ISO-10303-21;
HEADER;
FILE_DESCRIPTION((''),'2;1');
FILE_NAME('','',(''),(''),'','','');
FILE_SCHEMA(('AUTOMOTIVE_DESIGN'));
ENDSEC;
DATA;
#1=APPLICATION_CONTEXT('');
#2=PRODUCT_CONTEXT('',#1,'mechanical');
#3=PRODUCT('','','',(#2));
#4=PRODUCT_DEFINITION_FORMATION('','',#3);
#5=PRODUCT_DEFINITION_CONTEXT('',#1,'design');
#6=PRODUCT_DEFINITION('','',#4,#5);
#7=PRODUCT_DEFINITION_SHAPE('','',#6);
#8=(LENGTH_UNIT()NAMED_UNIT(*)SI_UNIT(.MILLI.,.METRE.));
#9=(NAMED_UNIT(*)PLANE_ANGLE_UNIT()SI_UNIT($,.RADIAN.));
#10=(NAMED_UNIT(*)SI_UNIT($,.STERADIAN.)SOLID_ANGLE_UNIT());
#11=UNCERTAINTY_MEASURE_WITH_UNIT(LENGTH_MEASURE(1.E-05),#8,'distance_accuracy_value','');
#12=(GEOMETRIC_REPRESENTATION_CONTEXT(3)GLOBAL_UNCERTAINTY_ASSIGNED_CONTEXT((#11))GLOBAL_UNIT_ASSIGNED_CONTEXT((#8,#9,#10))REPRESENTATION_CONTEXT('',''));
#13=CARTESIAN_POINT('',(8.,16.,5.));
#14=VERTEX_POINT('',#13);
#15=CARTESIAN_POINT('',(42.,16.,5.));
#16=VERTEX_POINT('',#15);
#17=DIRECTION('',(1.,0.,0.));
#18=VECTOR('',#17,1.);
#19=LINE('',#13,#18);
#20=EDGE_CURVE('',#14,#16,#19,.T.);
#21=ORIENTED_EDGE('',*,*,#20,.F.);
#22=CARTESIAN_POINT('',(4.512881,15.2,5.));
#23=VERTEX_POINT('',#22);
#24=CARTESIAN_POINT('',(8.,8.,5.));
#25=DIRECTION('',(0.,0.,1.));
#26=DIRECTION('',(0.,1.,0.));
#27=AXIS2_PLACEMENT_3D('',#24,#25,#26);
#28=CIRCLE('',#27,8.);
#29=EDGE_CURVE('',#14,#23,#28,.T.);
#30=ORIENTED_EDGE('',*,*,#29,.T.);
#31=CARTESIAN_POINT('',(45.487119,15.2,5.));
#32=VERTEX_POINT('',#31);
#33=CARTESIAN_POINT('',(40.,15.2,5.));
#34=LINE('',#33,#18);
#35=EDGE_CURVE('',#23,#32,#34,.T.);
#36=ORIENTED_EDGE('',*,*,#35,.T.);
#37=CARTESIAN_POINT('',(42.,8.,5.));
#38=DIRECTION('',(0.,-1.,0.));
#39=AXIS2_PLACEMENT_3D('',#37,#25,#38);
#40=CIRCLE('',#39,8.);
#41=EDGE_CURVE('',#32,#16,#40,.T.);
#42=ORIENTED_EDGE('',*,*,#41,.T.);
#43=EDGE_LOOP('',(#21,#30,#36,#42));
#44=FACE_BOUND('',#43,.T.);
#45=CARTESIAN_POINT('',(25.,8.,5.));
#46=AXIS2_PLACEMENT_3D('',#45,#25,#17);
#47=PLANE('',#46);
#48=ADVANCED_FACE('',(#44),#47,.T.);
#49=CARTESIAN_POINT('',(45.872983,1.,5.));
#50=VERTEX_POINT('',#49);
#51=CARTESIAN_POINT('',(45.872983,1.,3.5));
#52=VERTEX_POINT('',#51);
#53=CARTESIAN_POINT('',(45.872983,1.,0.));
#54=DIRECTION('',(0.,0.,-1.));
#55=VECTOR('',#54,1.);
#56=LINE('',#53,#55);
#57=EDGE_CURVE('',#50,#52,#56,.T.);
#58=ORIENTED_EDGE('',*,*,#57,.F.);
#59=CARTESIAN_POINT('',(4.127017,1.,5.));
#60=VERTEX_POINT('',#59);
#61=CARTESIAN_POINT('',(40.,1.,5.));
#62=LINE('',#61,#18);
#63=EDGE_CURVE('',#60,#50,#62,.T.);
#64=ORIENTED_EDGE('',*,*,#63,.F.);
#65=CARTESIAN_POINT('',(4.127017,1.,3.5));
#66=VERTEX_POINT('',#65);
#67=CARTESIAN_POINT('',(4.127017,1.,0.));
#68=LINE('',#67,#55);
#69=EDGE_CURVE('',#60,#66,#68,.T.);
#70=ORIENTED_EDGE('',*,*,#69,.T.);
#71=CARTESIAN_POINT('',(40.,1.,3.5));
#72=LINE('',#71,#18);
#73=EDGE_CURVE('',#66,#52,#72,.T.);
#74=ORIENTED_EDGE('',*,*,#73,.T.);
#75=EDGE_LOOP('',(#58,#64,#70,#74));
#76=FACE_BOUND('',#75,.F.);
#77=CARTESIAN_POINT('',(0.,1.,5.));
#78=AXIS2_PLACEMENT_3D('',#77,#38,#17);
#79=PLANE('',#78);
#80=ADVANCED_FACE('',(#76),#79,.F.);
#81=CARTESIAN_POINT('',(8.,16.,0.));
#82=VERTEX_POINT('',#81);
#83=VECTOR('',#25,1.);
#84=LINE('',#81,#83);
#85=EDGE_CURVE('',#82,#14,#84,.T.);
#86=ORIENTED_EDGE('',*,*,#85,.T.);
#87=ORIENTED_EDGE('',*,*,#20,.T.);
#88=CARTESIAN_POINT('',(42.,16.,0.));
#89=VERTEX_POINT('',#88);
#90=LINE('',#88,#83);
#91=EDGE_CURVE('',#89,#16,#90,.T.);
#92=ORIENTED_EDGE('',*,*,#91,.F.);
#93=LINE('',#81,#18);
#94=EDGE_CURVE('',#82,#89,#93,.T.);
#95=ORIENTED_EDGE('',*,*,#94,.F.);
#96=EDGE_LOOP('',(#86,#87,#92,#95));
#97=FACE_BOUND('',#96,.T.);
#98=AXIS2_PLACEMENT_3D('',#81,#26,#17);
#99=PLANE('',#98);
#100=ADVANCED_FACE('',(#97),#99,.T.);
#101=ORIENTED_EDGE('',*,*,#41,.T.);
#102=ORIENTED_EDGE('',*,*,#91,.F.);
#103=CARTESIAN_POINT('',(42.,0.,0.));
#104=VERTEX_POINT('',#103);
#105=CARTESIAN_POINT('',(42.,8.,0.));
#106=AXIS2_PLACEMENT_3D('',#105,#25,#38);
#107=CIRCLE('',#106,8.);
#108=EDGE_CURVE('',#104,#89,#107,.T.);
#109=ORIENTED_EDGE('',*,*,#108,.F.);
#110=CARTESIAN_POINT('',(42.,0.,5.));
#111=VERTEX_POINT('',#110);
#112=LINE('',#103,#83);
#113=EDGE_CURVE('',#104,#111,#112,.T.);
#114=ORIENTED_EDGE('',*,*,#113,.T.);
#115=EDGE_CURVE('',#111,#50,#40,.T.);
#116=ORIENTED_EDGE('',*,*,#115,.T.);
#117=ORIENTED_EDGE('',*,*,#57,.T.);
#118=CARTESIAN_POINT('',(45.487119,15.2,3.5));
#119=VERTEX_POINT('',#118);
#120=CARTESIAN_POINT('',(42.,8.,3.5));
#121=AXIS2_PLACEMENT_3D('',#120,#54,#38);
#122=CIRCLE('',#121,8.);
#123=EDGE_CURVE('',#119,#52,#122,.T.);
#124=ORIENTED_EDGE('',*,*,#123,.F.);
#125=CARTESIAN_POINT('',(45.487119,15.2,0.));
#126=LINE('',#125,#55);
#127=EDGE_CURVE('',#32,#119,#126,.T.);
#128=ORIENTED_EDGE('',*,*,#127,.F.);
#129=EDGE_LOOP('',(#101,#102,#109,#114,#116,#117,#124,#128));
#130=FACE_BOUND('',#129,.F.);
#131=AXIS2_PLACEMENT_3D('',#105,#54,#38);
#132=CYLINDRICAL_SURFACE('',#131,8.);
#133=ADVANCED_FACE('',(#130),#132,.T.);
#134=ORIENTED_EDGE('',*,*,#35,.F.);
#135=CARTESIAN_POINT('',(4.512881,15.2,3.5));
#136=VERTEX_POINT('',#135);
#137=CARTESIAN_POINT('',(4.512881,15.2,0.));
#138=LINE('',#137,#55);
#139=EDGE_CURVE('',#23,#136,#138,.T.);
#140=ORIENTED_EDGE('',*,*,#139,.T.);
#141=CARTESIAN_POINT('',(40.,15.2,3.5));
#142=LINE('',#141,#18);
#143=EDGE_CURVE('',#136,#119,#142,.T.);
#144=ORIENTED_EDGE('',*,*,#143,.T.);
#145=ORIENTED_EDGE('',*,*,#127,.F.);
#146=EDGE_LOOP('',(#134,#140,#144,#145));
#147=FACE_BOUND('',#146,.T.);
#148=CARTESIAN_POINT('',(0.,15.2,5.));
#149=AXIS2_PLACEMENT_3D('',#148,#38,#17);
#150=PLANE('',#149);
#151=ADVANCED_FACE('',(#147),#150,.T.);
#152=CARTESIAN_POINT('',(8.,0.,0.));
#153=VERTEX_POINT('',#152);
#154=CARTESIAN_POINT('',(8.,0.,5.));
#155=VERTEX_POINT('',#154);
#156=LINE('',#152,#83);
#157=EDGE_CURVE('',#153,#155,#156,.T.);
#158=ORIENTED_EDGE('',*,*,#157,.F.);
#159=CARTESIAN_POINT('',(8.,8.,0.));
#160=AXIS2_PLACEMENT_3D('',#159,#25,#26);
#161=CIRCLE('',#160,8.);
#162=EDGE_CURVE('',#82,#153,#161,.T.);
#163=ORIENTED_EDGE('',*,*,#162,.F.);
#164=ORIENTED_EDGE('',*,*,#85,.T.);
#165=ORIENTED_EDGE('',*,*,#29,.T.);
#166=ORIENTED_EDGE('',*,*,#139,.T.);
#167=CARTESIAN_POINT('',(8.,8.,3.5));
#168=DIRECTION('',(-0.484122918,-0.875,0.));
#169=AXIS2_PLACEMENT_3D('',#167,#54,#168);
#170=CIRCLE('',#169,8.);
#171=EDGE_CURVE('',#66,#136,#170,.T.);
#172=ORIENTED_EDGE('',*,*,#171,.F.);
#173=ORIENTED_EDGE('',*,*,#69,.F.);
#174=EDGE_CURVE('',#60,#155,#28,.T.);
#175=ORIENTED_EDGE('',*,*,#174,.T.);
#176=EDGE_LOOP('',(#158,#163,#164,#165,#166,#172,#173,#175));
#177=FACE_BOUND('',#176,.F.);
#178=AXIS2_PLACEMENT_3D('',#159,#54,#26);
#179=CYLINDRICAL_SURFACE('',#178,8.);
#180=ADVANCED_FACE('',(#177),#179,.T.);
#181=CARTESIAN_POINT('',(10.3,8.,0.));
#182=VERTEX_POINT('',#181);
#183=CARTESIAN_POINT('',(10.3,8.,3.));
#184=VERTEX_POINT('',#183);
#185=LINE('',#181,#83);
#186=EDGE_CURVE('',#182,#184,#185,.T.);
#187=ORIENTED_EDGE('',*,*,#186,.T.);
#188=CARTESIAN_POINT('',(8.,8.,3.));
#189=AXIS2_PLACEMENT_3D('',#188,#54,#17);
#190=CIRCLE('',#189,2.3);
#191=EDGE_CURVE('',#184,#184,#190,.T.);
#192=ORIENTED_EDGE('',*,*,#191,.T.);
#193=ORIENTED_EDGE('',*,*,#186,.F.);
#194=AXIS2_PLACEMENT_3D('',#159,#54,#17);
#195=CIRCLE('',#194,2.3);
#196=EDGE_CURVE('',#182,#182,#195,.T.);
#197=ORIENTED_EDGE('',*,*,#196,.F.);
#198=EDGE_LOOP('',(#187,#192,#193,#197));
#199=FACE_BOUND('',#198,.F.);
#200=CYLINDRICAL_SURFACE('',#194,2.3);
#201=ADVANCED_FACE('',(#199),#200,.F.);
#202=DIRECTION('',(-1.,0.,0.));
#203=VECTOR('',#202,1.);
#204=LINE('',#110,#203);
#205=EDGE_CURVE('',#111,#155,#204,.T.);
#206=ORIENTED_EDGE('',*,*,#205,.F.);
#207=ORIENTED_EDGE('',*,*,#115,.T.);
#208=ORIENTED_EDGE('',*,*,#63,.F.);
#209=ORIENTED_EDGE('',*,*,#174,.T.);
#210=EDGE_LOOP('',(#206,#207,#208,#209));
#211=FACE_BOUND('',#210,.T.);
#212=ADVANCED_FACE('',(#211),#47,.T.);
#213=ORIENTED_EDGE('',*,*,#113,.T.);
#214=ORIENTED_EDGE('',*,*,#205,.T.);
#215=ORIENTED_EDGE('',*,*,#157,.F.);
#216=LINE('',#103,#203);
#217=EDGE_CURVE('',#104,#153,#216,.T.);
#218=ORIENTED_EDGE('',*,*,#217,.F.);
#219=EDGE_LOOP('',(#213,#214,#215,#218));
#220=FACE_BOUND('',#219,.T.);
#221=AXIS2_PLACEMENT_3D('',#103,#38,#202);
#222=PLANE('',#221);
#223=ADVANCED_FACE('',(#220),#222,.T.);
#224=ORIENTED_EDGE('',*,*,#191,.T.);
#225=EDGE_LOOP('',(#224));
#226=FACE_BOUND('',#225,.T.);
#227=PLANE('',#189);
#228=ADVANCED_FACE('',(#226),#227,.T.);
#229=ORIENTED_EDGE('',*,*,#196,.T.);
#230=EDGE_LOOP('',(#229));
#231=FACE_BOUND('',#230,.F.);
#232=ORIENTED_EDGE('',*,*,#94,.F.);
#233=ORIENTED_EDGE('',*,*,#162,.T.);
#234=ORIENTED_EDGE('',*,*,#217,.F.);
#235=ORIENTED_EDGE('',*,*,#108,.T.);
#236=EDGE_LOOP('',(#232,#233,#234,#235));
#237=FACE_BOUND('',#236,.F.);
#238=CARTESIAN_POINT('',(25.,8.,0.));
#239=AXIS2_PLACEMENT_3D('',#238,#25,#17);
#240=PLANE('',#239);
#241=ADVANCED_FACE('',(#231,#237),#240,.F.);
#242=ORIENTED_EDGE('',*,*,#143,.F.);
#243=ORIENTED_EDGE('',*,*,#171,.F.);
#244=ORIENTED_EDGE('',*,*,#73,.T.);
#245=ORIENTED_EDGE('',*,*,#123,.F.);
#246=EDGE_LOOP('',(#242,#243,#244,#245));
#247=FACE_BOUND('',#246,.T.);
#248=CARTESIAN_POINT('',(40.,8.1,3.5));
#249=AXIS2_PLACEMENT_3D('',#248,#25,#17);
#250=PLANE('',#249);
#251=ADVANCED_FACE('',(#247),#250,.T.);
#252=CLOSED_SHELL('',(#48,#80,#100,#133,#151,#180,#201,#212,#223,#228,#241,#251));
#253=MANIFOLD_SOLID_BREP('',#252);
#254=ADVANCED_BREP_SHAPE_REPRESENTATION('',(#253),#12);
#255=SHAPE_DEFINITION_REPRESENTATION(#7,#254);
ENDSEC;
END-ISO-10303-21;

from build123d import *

# Parameters (mm, degrees)
PAD_DEPTH       = 5
SKETCH001_W     = 80
SKETCH001_H     = 14.2
POCKET_DEPTH    = 1.5
SKETCH002_R     = 2.3
POCKET001_DEPTH = 3


with BuildPart() as part:
    # Sketch → Pad (new body)
    with BuildSketch(Plane.XY):
        with BuildLine():
            ThreePointArc((8, 16), (0, 8), (8, 0))
            Line((42, 0), (8, 0))
            ThreePointArc((42, 0), (50, 8), (42, 16))
            Line((8, 16), (42, 16))
        make_face()
    extrude(amount=PAD_DEPTH)

    # Sketch001 (on Face6 of Pad) → Pocket (cut)
    with BuildSketch(Plane.XY.offset(5)):
        with Locations((40, 8.1)):
            Rectangle(SKETCH001_W, SKETCH001_H)
    extrude(amount=-POCKET_DEPTH, mode=Mode.SUBTRACT)

    # Sketch002 (on Face2 of Pocket) → Pocket001 (cut)
    with BuildSketch(Plane(origin=(0, 0, 0), x_dir=(1, 0, 0), z_dir=(0, 0, -1))):
        with Locations((8, -8)):
            Circle(SKETCH002_R)
    extrude(amount=-POCKET001_DEPTH, mode=Mode.SUBTRACT)


solid = part.part
